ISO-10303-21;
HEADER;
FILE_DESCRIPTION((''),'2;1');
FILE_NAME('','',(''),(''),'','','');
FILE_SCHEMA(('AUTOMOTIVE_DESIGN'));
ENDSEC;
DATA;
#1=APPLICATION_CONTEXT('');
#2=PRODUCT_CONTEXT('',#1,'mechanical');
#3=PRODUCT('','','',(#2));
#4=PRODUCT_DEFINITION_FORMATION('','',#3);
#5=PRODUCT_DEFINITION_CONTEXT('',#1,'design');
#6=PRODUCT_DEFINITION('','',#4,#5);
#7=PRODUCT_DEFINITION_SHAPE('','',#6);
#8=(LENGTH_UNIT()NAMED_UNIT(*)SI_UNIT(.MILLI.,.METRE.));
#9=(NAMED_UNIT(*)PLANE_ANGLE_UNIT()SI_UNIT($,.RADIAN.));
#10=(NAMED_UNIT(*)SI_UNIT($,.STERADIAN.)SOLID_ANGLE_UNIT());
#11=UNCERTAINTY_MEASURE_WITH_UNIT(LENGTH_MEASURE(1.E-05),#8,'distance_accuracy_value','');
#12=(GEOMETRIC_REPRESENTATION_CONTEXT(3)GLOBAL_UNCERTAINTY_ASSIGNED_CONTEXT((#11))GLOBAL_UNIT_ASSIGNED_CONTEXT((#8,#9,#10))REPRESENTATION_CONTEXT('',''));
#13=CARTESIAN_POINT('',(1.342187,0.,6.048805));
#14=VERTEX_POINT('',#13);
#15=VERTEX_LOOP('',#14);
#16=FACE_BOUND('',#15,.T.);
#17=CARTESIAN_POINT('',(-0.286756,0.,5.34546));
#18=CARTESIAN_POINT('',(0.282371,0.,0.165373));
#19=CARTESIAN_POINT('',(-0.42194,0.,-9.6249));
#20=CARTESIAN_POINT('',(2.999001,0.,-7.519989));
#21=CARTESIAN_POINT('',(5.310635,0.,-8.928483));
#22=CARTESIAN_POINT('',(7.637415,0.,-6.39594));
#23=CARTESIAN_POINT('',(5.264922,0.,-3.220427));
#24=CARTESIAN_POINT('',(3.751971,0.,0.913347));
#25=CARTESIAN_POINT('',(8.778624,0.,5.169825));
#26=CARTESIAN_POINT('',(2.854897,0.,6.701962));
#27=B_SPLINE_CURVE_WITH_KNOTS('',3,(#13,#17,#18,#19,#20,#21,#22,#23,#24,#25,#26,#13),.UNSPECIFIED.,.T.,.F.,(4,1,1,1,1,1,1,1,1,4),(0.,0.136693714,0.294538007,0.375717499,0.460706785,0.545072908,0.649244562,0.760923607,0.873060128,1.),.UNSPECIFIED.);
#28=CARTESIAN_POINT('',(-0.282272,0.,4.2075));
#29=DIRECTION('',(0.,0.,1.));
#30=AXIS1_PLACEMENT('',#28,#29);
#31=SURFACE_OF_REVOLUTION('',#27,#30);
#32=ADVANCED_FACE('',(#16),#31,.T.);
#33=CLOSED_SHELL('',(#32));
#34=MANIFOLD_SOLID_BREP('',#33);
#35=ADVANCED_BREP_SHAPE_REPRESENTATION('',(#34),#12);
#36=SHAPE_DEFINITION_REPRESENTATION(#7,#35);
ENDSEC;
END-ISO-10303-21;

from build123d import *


with BuildPart() as f1:
    # F0 (on Front) → F1 (revolve)
    with BuildSketch(Plane.XZ):
        with BuildLine():
            add(Edge.make_bspline(
                [(1.3421872864, 6.0488046147), (-0.2867561796, 5.3454601576), (0.2823708419, 0.1653727831), (-0.4219402534, -9.6248997511), (2.9990008339, -7.5199886002), (5.3106354039, -8.9284826829), (7.637415299, -6.3959397692), (5.2649220112, -3.2204269186), (3.7519712267, 0.9133467691), (8.7786236007, 5.1698250503), (2.8548967559, 6.7019616105), (1.3421872864, 6.0488046147)],
                knots=[0, 0, 0, 0, 0.1366937138, 0.2945380075, 0.3757174985, 0.4607067855, 0.5450729084, 0.6492445617, 0.7609236065, 0.8730601279, 1, 1, 1, 1], degree=3))
        make_face()
    revolve(axis=Axis((-0.2822723472, 0, 4.207500373), (0, 0, 1)))


solid = f1.part
